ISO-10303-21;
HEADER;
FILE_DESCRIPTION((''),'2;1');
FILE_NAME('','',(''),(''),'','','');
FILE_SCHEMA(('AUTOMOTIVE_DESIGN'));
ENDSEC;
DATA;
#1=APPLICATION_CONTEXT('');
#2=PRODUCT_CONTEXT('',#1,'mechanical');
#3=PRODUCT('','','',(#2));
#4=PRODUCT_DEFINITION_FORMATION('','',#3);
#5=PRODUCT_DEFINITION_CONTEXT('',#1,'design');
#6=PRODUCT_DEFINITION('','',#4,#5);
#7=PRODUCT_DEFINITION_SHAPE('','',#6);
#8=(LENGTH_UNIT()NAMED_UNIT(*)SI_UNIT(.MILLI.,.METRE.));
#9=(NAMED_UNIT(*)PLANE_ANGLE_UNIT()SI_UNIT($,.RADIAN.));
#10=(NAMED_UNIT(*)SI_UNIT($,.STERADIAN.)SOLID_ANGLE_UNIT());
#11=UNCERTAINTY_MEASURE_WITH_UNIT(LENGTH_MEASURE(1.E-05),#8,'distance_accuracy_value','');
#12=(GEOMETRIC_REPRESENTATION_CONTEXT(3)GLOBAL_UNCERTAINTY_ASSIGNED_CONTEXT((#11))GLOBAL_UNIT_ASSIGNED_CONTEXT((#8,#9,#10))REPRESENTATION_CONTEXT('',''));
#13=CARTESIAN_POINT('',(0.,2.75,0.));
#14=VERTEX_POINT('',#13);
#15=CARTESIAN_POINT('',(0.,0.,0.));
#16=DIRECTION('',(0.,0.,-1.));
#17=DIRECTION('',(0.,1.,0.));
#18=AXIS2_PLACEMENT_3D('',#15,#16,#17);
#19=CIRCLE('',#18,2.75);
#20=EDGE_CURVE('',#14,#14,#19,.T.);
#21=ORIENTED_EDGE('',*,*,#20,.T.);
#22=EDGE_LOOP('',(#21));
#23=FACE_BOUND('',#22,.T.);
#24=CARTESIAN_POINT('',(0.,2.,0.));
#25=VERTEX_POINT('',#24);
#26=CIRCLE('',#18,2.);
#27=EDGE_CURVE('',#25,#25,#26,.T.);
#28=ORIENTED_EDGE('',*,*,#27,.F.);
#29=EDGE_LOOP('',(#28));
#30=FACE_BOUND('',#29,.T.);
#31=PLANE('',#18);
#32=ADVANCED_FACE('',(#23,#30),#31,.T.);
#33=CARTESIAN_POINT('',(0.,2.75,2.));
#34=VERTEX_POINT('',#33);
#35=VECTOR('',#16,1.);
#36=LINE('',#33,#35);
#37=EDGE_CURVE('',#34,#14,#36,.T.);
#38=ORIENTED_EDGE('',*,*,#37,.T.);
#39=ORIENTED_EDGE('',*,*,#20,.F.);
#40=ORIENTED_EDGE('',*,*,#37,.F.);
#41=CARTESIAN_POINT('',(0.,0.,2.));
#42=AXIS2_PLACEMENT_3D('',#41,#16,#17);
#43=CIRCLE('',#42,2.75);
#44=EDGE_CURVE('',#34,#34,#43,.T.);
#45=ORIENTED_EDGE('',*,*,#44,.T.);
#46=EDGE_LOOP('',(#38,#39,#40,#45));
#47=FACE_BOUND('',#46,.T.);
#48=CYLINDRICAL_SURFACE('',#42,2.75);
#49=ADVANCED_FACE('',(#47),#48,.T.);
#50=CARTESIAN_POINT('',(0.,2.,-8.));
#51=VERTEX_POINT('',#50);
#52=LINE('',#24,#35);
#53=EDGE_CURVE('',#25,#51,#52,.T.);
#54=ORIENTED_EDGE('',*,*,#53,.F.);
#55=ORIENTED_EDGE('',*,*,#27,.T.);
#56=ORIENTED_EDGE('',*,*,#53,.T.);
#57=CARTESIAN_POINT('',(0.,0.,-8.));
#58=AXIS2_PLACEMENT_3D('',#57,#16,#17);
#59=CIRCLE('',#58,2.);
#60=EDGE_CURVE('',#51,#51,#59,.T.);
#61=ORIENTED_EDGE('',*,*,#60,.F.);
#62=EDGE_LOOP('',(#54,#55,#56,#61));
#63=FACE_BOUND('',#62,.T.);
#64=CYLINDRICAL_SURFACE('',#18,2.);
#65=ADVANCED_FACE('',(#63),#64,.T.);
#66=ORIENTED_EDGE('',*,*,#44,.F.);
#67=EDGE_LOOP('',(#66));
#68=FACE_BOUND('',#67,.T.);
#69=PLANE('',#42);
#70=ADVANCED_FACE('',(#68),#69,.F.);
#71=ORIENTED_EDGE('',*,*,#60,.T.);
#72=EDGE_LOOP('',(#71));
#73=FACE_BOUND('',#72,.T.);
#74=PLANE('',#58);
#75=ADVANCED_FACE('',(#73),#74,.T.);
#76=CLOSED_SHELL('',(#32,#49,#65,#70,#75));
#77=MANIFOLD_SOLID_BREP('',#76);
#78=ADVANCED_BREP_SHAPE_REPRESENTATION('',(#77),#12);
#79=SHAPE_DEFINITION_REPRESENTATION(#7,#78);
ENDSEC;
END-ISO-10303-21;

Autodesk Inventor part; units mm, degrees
ref_plane "YZ Plane" through (0, 0, 0) normal (1, 0, 0) x (0, 1, 0)
ref_plane "XZ Plane" through (0, 0, 0) normal (0, 1, 0) x (-1, 0, 0)
ref_plane "XY Plane" through (0, 0, 0) normal (0, 0, 1) x (1, 0, 0)
sketch "スケッチ1" plane through (0, 0, 0) normal (1, 0, 0) x (0, 1, 0)
  point P0 (0, 0)
sketch "スケッチ2" plane through (0, 0, 0) normal (1, 0, 0) x (0, 1, 0)
  line L0 (0, 2) -> (2.75, 2)
  line L1 (2.75, 2) -> (2.75, 0)
  line L2 (2.75, 0) -> (2, 0)
  line L3 (2, 0) -> (2, -8)
  line L4 (2, -8) -> (0, -8)
  line L5 (0, 2) -> (0, -8)
  point P0 (0, 0)
  dimension "d0" = 2
  dimension "d1" = 8
  dimension "d2" = 2
  dimension "d3" = 2.75
revolve "回転1" add sketch "スケッチ2" angle 360 about axis through (0, 0, 2) along (0, 0, -1)
properties part number "ScrewM3L8Btite"
